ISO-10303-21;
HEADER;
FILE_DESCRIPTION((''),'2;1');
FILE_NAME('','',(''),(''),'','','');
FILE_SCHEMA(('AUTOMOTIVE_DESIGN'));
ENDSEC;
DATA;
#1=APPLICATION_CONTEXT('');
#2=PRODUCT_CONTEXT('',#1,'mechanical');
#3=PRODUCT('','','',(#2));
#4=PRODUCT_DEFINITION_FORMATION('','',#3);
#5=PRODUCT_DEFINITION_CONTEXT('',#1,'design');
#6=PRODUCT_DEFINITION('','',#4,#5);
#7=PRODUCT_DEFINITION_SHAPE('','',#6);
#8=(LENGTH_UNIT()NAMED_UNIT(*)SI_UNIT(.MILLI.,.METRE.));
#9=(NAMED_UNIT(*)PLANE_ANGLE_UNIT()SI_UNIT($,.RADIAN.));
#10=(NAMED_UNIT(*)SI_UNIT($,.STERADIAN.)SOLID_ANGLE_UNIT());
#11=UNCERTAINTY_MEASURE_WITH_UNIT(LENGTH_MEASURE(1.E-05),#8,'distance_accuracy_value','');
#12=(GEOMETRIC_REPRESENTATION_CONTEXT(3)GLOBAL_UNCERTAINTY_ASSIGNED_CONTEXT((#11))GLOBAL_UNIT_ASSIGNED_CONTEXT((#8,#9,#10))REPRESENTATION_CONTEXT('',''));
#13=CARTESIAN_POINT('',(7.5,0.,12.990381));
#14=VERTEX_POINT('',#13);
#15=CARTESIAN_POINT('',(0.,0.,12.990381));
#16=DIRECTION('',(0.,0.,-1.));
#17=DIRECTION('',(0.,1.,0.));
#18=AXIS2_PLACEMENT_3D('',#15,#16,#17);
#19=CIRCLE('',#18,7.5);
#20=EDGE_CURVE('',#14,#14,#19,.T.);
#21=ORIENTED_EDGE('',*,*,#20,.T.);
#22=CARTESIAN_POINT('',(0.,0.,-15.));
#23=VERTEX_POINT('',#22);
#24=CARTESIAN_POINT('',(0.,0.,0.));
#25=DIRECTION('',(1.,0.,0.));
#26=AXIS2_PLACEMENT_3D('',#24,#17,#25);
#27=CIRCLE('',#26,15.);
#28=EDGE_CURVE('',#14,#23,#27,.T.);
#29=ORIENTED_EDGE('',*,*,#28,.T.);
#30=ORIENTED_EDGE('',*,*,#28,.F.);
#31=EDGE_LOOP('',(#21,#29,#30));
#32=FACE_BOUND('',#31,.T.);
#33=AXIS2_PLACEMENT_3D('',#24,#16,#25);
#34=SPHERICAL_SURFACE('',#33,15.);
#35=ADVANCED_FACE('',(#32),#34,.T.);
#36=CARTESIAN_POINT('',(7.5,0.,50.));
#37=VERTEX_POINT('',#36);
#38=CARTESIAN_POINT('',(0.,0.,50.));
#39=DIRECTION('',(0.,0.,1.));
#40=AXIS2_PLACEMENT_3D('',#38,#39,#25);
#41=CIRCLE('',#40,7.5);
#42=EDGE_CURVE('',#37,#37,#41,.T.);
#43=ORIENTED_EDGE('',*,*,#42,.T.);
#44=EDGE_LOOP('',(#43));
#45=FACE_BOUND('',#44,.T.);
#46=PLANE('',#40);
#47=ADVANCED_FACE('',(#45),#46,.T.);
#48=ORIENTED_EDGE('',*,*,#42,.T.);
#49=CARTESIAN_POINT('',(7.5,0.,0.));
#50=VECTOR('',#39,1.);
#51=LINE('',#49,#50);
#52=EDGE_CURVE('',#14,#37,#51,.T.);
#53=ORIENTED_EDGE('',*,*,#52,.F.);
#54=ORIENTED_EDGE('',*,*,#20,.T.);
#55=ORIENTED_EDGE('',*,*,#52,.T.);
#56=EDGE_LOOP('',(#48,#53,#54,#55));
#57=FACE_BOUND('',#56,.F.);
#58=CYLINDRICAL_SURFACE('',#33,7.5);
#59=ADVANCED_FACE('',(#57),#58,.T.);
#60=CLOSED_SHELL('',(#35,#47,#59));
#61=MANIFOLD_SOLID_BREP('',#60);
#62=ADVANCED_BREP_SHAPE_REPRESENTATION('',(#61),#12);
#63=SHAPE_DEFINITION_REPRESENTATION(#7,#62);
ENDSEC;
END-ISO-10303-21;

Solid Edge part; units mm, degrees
sketch "Sketch1" plane through (0, 0, 0) normal (0, -1, 0) x (1, 0, 0)
  arc A0 (0, 15) -> (0, -15) centre (0, 0) cw
  dimension "D1" = 30
revolve "RevolvedProtrusion1" add sketch "Sketch1" angle 360 about axis through (0, 0, 15) along (0, 0, -1)
sketch "Sketch2" plane through (0, 0, 0) normal (0, 0, 1) x (1, 0, 0)
  circle A0 centre (0, 0) radius 7.5
  dimension "D1" = 15
extrude "Protrusion1" add sketch "Sketch2" along normal blind 50
